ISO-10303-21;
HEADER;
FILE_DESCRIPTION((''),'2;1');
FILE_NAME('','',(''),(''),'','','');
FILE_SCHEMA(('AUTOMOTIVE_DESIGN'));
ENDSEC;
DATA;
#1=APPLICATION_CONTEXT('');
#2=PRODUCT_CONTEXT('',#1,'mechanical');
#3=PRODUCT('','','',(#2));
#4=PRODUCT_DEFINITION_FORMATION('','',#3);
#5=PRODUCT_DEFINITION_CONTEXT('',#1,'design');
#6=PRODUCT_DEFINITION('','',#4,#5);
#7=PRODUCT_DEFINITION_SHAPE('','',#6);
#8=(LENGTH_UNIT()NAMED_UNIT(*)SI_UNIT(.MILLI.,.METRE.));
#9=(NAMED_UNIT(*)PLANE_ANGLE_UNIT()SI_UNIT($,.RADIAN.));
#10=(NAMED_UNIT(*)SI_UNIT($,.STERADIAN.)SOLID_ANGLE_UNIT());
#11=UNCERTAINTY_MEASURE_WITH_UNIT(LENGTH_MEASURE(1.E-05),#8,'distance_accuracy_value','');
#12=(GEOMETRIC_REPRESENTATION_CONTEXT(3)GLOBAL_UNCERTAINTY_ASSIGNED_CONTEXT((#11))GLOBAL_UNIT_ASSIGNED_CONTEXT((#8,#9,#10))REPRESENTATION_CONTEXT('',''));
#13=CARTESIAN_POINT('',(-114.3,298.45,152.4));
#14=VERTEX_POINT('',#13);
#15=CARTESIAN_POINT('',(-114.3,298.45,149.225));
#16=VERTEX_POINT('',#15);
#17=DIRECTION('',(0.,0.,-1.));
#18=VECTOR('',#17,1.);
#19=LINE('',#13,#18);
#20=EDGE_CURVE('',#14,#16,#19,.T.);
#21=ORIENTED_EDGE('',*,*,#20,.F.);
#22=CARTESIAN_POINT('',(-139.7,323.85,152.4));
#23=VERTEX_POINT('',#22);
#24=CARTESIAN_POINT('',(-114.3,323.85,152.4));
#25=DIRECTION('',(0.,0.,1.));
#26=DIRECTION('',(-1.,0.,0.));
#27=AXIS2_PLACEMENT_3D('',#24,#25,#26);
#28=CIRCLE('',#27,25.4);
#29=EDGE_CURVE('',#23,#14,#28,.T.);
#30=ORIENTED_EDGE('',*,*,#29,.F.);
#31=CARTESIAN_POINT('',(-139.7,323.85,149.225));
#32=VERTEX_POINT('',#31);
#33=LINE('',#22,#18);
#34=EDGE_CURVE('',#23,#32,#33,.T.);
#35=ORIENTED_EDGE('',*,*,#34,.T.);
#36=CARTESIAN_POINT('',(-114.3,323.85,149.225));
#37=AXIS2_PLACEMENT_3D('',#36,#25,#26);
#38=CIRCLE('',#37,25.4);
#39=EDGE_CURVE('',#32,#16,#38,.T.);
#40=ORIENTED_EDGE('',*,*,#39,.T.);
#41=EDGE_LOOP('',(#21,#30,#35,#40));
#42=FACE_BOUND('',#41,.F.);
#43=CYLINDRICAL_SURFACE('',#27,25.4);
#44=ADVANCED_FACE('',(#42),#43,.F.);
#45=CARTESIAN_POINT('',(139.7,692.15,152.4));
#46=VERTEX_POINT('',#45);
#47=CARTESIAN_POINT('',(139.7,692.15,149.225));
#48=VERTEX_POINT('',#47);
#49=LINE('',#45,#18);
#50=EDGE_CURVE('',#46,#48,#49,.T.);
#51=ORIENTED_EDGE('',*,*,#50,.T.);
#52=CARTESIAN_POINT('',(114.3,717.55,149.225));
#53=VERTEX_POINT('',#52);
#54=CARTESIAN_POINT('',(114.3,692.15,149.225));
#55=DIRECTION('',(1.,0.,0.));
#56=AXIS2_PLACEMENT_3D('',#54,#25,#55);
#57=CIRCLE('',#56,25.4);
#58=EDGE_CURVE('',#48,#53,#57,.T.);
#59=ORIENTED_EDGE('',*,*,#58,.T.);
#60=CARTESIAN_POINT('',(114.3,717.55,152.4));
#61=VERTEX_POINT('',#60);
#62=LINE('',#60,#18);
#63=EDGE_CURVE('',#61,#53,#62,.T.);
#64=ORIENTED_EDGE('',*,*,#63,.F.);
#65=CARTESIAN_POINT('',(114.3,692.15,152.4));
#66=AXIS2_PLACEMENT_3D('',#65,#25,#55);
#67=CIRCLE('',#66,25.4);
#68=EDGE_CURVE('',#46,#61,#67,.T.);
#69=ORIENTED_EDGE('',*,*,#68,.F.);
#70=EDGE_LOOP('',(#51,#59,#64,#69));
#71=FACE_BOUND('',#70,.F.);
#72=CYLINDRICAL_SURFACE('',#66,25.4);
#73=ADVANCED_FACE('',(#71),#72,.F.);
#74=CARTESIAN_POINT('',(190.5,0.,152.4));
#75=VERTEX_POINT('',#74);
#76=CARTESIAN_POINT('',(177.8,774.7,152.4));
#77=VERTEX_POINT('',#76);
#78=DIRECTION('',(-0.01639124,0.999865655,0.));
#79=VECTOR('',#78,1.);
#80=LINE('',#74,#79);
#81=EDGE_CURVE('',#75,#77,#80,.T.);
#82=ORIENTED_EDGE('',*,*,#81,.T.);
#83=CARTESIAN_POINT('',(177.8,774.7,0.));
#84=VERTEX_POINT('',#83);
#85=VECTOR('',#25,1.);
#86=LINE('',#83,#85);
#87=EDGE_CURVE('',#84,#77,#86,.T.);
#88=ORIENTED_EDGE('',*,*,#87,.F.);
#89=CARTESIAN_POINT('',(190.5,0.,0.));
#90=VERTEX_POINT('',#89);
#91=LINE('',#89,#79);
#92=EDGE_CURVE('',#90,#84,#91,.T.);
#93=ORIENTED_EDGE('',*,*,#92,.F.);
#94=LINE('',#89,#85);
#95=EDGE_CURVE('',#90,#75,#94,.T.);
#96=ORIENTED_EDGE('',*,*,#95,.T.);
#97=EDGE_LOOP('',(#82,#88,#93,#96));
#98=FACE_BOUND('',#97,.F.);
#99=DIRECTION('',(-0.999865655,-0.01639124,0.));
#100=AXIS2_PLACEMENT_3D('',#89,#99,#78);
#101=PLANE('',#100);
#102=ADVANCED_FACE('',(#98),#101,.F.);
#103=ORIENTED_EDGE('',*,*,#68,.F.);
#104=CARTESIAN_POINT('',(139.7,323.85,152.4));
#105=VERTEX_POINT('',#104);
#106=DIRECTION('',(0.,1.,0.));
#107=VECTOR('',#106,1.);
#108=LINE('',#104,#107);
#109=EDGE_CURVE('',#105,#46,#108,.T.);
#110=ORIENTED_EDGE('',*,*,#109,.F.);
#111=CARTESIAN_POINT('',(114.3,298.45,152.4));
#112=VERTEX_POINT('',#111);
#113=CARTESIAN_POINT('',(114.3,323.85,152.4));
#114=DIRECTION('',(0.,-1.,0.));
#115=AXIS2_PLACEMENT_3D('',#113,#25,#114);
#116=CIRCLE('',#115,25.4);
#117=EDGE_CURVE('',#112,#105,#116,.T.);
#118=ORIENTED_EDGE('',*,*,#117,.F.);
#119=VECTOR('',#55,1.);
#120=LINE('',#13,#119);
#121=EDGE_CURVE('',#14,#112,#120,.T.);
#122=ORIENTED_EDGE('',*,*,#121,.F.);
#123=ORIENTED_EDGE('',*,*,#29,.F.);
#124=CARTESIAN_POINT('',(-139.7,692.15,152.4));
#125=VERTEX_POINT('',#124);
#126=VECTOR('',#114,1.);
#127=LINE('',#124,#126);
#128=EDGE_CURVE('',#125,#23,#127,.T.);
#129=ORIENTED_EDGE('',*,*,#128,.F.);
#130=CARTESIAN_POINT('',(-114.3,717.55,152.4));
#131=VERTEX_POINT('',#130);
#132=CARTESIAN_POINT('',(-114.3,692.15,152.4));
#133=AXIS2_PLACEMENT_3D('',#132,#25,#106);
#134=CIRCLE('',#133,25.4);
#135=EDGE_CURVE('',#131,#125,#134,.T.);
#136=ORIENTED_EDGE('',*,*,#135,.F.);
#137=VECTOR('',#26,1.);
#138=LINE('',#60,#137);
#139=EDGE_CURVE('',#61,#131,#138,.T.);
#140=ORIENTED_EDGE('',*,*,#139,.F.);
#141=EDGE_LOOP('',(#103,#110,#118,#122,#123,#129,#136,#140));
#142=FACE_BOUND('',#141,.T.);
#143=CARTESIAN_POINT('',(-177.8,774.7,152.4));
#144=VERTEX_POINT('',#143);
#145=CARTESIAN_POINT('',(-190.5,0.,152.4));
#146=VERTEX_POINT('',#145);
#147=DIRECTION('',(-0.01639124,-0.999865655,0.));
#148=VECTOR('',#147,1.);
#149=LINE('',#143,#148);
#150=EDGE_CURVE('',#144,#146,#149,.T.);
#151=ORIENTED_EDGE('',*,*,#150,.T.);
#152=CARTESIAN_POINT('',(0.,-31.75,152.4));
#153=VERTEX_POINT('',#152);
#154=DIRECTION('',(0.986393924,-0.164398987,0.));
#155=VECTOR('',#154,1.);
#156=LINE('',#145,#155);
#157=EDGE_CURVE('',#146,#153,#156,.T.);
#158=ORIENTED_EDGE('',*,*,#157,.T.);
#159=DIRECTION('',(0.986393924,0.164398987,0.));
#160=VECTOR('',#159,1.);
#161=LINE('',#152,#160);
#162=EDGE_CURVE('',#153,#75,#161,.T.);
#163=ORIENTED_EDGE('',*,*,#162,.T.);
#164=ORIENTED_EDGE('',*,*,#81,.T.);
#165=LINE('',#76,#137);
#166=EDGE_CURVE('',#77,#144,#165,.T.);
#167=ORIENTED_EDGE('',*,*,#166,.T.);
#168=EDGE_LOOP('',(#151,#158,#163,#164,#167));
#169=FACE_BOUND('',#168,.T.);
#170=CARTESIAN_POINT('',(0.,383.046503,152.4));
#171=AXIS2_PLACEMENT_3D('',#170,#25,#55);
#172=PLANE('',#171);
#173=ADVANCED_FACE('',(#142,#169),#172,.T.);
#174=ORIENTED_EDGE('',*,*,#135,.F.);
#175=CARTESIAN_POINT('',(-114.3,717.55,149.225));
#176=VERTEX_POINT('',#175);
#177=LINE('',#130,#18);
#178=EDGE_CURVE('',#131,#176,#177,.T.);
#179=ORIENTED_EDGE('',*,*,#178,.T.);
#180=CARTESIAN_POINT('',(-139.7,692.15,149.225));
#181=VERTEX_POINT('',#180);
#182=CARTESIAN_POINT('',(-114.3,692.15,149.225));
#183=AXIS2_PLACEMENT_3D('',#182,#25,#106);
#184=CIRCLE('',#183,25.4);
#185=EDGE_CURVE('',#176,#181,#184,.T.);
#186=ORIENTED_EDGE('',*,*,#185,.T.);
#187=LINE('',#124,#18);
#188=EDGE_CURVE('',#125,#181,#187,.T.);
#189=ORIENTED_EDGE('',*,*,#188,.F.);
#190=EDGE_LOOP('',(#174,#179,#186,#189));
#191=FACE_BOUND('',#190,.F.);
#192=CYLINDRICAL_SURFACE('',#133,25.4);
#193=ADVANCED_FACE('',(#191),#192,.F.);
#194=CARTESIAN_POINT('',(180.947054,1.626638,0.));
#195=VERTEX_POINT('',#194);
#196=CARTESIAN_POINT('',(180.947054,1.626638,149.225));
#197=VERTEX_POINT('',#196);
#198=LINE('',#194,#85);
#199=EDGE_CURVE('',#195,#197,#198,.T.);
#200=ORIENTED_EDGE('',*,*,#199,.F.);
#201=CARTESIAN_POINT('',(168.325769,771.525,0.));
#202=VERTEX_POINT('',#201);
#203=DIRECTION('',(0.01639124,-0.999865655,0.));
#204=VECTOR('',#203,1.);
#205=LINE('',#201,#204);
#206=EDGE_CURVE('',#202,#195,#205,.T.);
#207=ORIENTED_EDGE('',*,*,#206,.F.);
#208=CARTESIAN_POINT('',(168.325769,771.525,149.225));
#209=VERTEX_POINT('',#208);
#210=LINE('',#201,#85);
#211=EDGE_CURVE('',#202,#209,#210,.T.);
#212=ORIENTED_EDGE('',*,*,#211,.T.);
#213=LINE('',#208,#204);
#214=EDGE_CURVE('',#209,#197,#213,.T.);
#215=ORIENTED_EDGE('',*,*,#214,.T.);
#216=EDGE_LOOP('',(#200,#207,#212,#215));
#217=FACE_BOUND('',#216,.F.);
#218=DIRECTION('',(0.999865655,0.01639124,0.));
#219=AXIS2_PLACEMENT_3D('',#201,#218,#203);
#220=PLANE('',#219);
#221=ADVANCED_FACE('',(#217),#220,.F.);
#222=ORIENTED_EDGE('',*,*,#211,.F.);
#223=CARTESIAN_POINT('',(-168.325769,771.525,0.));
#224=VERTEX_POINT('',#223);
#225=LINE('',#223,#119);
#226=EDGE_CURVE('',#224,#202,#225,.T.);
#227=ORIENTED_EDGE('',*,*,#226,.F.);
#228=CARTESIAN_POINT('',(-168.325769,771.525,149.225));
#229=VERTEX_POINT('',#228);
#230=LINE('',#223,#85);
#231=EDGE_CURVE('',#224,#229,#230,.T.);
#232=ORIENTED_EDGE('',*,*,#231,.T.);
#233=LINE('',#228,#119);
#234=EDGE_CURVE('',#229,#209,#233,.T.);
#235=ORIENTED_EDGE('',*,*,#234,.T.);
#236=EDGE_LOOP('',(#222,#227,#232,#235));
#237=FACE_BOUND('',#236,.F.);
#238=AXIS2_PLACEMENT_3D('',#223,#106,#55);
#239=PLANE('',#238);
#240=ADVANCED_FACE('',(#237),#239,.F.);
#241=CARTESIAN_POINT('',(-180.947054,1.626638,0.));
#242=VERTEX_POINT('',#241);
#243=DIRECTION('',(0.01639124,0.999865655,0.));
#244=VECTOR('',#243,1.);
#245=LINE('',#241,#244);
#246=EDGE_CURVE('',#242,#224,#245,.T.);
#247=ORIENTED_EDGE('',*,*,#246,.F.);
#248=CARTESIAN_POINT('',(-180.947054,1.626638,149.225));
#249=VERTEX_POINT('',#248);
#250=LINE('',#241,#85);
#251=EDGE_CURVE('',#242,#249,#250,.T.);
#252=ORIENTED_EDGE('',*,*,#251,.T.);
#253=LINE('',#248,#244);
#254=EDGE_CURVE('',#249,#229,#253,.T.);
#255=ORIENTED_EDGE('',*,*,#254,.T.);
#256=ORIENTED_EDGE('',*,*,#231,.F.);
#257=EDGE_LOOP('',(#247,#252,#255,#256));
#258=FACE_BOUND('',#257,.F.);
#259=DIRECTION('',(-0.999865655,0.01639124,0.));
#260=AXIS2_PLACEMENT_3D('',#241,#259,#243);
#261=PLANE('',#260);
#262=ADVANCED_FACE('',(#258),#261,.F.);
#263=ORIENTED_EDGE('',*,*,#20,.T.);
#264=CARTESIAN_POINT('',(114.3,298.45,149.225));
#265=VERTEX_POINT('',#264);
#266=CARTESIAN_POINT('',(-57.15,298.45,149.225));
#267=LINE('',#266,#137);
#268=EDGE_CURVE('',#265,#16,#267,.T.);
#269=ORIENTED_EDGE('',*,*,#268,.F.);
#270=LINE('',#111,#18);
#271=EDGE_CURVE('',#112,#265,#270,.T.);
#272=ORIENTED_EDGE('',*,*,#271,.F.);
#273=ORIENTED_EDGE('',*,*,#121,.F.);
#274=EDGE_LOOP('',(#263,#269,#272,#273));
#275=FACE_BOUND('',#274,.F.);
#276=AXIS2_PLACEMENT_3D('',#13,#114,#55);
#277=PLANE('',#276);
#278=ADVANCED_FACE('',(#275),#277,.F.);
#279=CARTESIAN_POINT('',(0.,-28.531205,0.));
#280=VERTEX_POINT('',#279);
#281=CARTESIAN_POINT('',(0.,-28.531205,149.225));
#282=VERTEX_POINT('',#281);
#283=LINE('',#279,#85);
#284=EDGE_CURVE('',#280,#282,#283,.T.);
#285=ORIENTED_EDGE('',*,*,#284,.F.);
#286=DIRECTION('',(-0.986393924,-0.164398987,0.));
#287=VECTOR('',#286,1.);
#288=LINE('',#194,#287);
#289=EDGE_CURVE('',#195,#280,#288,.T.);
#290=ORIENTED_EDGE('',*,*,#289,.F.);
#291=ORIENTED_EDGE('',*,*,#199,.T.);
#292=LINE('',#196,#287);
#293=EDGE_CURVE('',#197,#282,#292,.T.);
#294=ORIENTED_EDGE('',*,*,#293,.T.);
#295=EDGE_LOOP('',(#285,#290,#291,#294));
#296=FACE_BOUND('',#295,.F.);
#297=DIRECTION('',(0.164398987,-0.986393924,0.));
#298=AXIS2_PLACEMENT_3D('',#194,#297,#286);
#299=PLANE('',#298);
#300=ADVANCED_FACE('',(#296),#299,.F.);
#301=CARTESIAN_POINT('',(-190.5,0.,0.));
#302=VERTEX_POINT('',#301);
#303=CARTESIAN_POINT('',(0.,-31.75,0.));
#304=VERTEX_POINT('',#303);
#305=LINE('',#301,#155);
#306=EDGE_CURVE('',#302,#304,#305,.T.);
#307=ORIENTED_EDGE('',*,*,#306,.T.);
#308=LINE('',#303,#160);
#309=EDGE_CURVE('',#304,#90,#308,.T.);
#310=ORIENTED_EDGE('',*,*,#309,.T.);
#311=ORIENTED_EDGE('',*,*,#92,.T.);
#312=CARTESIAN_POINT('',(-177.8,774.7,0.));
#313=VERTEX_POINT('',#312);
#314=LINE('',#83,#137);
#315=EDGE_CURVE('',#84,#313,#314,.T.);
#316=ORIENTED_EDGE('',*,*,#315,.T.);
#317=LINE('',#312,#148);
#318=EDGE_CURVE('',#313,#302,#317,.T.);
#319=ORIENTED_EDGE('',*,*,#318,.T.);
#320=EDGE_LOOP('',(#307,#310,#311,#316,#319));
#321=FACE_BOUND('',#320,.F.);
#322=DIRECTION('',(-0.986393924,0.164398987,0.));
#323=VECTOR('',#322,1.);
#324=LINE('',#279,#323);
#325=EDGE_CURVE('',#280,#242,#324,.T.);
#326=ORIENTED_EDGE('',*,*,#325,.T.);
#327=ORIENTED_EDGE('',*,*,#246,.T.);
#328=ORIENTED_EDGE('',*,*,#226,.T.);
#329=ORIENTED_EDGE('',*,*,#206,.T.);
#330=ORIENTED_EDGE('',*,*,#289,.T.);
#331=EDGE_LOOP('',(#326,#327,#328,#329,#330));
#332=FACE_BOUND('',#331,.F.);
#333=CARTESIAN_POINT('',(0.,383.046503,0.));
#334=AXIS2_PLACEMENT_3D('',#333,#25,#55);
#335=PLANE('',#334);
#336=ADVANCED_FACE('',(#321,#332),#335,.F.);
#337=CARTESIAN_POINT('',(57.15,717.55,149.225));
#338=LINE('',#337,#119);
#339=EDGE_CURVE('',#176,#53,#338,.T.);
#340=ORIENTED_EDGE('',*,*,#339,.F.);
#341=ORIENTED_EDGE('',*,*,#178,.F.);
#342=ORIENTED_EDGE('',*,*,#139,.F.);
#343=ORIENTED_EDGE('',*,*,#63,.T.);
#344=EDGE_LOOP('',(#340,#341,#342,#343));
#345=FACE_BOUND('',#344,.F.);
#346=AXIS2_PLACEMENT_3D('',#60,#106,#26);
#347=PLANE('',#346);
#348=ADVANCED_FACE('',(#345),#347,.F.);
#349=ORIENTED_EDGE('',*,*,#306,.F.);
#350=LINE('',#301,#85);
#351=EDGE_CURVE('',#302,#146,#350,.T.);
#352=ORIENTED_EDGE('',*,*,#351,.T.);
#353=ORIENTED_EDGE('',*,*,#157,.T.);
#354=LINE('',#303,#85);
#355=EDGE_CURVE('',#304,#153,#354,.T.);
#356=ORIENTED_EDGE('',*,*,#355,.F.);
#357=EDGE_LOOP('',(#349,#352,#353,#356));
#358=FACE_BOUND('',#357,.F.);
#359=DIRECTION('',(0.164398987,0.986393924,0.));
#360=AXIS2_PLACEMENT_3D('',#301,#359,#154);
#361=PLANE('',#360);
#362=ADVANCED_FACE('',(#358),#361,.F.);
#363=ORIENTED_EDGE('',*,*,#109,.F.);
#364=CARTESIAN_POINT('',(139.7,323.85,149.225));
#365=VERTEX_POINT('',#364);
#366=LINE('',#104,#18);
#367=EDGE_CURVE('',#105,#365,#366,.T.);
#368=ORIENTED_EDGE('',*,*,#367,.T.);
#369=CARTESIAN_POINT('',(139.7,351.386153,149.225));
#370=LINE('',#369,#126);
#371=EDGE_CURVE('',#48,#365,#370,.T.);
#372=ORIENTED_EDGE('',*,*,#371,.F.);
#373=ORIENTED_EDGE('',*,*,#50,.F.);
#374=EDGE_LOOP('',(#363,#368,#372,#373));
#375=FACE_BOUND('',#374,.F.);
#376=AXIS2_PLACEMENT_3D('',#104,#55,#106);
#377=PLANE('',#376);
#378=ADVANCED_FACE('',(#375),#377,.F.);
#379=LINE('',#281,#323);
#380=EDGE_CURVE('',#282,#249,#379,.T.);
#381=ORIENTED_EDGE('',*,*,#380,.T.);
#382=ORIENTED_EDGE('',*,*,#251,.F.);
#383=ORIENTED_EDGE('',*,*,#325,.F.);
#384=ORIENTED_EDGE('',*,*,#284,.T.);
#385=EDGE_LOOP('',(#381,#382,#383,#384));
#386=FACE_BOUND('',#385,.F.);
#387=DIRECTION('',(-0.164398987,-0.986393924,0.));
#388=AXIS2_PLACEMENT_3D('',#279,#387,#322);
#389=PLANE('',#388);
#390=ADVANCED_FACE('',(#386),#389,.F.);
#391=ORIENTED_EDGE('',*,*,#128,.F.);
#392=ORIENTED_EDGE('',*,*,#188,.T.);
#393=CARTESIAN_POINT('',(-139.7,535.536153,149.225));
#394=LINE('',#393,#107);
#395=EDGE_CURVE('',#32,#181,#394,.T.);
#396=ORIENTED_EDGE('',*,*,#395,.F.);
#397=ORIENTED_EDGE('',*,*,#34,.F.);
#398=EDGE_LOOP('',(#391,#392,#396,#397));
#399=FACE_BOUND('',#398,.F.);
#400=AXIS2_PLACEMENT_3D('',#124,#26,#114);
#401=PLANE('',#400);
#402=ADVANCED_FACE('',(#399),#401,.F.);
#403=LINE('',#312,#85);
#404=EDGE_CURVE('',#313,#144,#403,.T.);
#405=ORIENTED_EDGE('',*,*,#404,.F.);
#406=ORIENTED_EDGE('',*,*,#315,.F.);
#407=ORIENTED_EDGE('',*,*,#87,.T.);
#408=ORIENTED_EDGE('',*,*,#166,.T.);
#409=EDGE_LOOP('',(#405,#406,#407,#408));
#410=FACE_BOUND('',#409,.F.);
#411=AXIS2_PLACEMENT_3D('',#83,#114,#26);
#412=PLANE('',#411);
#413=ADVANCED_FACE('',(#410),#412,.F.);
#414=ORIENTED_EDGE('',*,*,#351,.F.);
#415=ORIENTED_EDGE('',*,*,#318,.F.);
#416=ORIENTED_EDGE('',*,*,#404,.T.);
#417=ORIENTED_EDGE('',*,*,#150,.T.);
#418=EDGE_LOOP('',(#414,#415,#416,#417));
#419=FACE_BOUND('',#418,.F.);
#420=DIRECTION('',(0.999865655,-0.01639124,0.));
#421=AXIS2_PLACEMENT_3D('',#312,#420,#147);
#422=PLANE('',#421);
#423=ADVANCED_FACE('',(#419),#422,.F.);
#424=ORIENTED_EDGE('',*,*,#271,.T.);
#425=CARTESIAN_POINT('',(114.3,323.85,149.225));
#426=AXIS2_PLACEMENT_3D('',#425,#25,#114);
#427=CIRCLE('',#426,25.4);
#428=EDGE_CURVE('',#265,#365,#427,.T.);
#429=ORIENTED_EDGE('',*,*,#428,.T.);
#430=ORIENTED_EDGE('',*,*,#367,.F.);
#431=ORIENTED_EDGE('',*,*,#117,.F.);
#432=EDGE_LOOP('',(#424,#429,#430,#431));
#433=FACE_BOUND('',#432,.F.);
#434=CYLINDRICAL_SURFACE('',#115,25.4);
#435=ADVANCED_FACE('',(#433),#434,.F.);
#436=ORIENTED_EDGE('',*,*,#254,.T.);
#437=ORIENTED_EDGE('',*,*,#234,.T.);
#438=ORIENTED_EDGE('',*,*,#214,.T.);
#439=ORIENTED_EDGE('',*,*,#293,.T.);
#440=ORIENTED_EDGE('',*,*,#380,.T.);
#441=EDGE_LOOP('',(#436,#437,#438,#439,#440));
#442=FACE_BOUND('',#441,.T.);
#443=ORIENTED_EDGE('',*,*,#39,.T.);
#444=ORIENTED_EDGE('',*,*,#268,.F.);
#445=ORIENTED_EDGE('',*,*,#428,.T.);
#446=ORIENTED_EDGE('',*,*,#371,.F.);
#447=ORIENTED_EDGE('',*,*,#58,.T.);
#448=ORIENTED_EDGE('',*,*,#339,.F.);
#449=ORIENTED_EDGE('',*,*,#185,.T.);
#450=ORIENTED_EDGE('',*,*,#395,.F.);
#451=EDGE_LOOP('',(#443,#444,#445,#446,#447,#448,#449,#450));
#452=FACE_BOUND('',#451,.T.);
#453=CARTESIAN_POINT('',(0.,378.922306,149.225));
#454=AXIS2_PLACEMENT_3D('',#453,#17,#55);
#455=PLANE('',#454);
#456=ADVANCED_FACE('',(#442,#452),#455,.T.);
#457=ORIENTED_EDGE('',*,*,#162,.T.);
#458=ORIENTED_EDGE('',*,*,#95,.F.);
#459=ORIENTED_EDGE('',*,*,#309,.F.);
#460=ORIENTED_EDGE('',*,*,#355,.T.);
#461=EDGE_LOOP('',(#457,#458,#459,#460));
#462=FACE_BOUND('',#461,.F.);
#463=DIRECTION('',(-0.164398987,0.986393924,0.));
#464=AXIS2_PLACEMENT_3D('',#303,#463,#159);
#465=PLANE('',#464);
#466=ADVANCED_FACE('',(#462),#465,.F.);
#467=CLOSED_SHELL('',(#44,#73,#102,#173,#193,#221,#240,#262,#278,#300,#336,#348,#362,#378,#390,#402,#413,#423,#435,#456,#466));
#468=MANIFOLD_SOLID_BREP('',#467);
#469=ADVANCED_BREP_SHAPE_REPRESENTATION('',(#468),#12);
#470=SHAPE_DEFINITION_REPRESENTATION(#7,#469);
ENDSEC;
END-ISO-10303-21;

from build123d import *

# Parameters (mm, degrees)
F1_DEPTH = 152.4
F3_DEPTH = 149.225
F5_DEPTH = 25.4


with BuildPart() as f1:
    # F0 (on Top) → F1 (new body)
    with BuildSketch(Plane.XY):
        Polygon((-177.8, 774.7), (-190.5, 0), (190.5, 0), (177.8, 774.7), align=None)
        Polygon((190.5, 0), (-190.5, 0), (0, -31.75), align=None)
    extrude(amount=F1_DEPTH)

    # F2 (on face) → F3 (cut)
    with BuildSketch(Plane(origin=(0, 0, 0), x_dir=(1, 0, 0), z_dir=(0, 0, -1))):
        Polygon((0, 28.5312048277), (-180.9470539995, -1.6266375055), (-168.3257693684, -771.525), (168.3257693684, -771.525), (180.9470539995, -1.6266375055), align=None)
    extrude(amount=-F3_DEPTH, mode=Mode.SUBTRACT)

    # F4 (on face) → F5 (cut)
    with BuildSketch(Plane.XY.offset(152.4)):
        with BuildLine():
            Line((114.3, 717.55), (-114.3, 717.55))
            ThreePointArc((-114.3, 717.55), (-132.2605122421, 710.1105122421), (-139.7, 692.15))
            Line((-139.7, 692.15), (-139.7, 323.85))
            ThreePointArc((-139.7, 323.85), (-132.2605122421, 305.8894877579), (-114.3, 298.45))
            Line((-114.3, 298.45), (114.3, 298.45))
            ThreePointArc((114.3, 298.45), (132.2605122421, 305.8894877579), (139.7, 323.85))
            Line((139.7, 323.85), (139.7, 692.15))
            ThreePointArc((139.7, 692.15), (132.2605122421, 710.1105122421), (114.3, 717.55))
        make_face()
    extrude(amount=-F5_DEPTH, mode=Mode.SUBTRACT)


solid = f1.part
